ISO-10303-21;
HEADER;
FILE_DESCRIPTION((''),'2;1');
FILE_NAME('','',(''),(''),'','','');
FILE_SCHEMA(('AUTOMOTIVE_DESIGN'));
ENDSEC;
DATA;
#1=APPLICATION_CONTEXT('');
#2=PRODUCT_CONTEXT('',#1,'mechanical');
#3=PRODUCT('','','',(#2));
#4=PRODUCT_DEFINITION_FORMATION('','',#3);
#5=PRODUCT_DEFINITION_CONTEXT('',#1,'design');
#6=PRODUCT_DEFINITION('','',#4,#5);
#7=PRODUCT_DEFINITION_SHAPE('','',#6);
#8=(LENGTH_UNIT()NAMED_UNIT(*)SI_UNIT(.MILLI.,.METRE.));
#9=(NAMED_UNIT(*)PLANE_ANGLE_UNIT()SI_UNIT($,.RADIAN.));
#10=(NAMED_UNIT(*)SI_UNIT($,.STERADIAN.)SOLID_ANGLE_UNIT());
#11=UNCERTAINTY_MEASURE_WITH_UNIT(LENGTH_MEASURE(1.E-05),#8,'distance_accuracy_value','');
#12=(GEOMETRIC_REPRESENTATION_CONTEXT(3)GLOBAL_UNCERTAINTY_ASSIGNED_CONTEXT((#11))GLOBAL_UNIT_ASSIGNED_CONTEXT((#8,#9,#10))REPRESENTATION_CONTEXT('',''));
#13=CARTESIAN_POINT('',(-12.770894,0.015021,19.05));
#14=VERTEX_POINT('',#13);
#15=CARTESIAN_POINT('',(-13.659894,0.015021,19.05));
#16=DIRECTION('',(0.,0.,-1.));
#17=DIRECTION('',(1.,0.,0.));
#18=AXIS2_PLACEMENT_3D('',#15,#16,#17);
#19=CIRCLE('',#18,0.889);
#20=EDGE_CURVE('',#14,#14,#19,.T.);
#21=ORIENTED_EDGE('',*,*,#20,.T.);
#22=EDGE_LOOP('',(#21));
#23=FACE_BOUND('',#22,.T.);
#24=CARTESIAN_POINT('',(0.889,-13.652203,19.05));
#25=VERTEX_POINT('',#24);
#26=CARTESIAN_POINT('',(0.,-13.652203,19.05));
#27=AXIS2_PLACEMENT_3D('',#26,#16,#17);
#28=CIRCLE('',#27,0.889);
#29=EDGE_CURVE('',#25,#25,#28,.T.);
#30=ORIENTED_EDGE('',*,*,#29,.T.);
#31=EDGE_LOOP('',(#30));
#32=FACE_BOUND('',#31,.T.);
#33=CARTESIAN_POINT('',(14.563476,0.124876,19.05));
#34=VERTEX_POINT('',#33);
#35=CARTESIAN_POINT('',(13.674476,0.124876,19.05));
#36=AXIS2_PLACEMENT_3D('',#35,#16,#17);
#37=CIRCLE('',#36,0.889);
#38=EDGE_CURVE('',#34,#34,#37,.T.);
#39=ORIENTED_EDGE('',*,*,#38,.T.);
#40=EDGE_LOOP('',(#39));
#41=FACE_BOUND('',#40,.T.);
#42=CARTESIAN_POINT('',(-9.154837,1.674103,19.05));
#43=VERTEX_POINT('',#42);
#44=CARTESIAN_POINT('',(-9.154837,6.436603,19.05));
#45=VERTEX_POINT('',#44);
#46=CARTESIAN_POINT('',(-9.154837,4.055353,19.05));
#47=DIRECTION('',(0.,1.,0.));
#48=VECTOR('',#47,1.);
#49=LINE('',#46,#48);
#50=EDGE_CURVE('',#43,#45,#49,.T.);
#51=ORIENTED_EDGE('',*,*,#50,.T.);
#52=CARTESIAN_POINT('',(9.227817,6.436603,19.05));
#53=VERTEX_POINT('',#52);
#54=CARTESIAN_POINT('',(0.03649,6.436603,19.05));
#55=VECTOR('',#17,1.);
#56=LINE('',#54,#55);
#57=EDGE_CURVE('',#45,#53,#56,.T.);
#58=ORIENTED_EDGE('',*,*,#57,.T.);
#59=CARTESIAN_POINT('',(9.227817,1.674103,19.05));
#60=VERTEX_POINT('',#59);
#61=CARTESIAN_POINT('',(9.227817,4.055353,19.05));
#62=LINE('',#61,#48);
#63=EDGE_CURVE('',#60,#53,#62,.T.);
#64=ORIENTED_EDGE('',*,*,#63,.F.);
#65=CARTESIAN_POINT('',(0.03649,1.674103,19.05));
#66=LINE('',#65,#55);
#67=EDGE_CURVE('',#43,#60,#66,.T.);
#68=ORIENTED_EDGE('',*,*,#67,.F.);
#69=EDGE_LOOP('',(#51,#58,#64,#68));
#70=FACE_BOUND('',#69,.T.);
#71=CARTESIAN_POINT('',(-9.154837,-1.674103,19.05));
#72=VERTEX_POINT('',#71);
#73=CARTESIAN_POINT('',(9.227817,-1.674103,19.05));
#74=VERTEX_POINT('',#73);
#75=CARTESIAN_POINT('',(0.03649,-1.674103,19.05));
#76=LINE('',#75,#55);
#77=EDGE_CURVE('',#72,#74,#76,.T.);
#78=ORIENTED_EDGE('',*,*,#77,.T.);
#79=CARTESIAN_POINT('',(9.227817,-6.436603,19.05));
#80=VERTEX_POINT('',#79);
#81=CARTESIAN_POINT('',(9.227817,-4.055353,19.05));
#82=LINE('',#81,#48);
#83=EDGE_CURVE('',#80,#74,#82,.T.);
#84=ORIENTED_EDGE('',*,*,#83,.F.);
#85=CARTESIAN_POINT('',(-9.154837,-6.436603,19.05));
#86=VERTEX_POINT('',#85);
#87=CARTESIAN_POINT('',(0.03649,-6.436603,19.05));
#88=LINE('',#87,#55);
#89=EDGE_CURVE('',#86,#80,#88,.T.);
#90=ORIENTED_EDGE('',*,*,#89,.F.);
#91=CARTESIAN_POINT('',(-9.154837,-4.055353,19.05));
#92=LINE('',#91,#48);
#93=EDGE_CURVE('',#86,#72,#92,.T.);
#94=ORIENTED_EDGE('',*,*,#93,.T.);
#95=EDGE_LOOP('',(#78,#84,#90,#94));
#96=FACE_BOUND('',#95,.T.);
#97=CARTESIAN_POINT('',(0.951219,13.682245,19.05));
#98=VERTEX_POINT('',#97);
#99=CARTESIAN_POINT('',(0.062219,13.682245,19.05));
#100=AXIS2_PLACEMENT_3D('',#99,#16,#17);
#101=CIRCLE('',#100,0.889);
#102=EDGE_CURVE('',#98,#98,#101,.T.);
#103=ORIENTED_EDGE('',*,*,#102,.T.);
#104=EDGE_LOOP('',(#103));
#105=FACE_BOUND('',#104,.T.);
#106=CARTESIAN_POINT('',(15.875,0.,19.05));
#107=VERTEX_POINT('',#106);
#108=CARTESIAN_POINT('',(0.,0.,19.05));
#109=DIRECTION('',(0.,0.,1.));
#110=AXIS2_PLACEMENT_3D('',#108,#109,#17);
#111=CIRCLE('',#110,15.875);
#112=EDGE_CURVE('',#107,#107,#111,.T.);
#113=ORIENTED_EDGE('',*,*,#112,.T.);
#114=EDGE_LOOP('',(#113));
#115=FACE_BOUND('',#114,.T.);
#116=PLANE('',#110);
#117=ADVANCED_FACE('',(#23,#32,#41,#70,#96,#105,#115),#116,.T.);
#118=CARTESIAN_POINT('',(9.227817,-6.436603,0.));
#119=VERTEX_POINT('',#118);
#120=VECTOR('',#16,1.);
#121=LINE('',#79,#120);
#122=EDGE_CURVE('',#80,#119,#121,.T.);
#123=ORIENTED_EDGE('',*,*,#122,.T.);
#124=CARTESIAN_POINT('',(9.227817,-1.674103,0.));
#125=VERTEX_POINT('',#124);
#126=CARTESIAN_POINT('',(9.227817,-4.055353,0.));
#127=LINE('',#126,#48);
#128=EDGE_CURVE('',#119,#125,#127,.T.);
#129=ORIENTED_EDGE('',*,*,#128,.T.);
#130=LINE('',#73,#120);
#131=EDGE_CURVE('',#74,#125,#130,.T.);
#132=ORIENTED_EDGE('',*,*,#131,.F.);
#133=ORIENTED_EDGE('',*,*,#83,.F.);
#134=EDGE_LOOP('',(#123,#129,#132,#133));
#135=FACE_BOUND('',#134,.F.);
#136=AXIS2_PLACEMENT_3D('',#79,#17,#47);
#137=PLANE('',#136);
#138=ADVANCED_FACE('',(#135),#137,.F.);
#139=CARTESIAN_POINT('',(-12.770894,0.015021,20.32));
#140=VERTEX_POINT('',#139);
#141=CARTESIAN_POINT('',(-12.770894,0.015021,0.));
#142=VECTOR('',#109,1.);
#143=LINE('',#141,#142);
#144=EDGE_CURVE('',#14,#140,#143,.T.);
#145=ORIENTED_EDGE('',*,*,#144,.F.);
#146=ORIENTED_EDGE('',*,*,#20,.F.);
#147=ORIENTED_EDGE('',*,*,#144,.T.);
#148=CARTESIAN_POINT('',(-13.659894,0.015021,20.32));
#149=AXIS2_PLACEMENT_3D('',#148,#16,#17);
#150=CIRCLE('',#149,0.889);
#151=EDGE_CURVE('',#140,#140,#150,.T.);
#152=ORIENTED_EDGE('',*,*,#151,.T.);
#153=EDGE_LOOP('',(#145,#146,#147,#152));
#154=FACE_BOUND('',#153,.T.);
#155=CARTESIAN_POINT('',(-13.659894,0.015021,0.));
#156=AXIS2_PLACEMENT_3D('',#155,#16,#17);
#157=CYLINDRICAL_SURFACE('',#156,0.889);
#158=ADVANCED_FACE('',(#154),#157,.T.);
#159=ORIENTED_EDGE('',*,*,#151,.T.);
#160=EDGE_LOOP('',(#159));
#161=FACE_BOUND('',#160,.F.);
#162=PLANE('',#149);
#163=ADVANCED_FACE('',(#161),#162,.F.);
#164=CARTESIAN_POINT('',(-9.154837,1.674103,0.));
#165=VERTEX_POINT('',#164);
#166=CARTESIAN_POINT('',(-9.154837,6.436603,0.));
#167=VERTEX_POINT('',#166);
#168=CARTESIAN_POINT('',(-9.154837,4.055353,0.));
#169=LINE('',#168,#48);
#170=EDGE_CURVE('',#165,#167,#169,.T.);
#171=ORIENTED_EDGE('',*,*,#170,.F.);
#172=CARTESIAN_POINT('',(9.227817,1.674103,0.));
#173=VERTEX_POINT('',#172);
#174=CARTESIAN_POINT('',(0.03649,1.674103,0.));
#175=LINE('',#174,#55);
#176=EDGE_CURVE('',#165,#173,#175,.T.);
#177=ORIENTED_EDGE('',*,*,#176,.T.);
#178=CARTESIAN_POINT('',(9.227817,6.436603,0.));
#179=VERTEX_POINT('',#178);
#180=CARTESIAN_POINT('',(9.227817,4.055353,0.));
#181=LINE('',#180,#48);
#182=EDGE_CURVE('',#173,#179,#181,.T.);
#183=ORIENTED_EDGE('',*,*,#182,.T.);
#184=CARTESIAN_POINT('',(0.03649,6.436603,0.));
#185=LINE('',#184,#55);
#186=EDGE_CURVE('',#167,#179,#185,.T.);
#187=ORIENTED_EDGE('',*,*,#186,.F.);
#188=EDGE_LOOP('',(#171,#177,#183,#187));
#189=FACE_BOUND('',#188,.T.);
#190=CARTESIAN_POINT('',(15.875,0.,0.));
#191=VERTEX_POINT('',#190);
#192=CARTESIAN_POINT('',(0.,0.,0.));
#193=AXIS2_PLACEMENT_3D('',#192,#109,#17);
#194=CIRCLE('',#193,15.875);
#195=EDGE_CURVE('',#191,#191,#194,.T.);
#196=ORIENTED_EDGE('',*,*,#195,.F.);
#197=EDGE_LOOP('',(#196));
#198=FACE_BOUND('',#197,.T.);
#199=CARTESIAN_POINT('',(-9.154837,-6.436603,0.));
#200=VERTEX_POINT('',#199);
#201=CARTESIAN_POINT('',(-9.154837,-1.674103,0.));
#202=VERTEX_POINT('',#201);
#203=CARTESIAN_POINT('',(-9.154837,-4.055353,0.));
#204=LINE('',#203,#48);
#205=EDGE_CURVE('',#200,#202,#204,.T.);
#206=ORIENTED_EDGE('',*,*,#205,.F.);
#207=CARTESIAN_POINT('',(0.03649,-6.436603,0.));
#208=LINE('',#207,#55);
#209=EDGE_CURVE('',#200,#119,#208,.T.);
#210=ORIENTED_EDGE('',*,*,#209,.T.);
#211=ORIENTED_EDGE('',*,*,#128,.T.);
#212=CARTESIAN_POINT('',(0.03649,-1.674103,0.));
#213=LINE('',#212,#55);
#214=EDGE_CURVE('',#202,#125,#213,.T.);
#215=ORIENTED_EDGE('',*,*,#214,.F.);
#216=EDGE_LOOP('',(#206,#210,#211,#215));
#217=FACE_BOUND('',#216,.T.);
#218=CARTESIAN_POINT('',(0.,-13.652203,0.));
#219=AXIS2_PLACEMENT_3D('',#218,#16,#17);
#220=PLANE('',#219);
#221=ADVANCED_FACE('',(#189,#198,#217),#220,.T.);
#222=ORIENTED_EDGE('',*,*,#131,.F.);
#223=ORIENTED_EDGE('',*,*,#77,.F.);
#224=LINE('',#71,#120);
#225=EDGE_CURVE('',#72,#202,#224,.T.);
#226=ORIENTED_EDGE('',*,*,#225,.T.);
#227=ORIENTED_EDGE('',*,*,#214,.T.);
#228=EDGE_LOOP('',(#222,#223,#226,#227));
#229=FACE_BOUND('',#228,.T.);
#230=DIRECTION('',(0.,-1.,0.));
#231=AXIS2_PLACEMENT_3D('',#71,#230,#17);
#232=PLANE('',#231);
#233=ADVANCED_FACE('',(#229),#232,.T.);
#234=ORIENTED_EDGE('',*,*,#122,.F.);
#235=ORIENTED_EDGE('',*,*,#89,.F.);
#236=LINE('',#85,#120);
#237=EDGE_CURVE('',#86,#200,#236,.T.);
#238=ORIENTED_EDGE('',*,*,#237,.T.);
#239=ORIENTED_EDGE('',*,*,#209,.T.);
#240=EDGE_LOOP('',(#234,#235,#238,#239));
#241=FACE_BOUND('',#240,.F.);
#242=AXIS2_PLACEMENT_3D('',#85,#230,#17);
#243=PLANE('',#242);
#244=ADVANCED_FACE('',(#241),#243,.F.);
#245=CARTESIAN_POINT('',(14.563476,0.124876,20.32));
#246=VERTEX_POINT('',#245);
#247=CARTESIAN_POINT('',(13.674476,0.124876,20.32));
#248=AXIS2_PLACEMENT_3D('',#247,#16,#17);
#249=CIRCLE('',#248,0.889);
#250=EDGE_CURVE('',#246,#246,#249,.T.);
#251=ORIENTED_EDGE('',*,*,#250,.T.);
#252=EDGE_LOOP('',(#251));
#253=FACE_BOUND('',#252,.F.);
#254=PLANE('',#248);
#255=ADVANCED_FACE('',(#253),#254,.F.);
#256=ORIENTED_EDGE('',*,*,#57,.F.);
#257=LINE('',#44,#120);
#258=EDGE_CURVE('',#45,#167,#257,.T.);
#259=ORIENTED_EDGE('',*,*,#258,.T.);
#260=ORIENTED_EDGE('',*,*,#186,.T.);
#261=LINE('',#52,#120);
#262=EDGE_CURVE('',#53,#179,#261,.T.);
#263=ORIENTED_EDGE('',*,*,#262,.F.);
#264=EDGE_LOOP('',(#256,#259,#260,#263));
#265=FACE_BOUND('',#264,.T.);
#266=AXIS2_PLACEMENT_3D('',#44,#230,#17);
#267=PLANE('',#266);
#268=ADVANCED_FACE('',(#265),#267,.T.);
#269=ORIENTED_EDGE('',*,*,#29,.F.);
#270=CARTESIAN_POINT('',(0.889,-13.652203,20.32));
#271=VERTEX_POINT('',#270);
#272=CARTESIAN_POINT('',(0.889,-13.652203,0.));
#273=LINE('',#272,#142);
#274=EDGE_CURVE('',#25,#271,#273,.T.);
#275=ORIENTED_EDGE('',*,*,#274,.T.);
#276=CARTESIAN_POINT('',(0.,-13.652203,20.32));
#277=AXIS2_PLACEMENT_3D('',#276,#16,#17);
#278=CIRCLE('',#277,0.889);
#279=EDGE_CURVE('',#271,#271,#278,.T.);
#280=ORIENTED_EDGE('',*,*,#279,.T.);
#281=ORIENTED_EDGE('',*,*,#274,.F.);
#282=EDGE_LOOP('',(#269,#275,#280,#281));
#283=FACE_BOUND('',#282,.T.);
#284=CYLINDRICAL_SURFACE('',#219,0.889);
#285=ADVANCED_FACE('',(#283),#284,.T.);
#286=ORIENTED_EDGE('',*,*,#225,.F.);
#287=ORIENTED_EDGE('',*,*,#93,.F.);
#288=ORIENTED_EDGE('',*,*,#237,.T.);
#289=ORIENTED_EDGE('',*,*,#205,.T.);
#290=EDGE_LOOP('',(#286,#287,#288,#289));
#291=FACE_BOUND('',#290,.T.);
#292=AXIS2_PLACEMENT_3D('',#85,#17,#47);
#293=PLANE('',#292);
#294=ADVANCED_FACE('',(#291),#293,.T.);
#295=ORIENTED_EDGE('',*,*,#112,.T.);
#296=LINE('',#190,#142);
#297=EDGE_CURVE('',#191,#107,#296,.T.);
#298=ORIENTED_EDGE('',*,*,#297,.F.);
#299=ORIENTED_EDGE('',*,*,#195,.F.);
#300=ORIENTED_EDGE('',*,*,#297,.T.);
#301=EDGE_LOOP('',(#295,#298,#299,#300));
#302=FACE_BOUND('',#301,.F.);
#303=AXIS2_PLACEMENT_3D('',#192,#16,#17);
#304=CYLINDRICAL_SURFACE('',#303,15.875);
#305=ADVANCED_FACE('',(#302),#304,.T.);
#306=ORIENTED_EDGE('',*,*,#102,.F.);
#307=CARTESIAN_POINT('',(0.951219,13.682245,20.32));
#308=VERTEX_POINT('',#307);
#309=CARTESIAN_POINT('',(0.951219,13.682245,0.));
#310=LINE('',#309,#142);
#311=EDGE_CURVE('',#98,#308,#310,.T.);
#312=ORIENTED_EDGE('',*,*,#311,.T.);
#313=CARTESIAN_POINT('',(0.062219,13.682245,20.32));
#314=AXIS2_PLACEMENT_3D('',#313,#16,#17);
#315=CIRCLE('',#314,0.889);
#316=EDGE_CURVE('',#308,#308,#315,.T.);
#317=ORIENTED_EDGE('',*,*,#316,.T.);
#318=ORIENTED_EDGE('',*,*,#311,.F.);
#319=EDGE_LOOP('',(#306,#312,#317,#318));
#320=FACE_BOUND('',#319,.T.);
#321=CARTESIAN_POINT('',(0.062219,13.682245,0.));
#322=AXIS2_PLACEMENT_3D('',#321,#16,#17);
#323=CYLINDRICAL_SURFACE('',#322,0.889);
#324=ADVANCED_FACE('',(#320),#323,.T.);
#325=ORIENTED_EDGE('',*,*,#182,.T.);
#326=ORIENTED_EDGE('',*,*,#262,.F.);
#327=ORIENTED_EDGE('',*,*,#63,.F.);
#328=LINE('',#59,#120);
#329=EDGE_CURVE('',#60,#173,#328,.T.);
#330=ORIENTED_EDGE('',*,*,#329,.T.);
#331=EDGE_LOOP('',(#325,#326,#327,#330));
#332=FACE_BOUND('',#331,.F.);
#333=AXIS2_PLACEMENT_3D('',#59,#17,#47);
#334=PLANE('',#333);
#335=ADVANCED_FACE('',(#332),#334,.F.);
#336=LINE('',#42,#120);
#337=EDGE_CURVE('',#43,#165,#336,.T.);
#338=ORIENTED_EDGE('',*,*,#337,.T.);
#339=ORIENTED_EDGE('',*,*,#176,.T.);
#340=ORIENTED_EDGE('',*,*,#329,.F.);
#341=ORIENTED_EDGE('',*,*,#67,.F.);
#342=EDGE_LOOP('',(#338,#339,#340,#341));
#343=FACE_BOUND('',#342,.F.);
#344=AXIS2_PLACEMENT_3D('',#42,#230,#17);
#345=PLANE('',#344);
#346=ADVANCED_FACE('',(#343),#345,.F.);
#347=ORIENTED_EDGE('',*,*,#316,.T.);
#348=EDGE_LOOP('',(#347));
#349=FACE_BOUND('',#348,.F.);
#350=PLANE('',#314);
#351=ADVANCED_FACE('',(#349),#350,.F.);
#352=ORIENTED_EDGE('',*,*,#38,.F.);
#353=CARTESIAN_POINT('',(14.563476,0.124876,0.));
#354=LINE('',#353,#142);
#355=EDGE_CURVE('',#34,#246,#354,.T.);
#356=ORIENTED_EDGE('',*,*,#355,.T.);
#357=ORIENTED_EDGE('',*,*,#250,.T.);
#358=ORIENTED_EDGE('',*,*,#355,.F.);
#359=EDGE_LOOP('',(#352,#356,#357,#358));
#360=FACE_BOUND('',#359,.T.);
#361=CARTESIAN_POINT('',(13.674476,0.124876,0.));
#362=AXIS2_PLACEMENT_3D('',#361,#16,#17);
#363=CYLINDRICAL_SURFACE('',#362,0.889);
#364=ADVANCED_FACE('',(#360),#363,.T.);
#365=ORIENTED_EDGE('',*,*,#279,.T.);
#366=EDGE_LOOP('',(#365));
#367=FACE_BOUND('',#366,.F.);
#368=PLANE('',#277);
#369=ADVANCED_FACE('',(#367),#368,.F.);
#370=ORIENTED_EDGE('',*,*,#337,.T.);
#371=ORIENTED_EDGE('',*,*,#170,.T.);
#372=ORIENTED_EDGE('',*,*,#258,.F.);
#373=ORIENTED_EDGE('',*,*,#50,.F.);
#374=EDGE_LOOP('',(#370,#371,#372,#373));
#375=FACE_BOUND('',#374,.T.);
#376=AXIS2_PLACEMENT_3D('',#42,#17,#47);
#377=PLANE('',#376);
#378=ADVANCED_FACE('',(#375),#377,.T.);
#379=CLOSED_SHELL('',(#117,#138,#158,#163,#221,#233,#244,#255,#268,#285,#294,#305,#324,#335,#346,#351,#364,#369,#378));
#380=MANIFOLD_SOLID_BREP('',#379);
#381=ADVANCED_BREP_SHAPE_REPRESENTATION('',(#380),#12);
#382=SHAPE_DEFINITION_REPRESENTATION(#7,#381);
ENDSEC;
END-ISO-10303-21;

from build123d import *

# Parameters (mm, degrees)
F0_R     = 15.875
F1_DEPTH = 19.05
F6_W     = 18.382654
F6_H     = 4.7625
F7_DEPTH = 19.05
F3_R     = 0.889
F8_DEPTH = 20.32


with BuildPart() as f1:
    # F0 (on Top) → F1 (new body)
    with BuildSketch(Plane.XY):
        Circle(F0_R)
    extrude(amount=F1_DEPTH)

    # F6 (on face) → F7 (cut)
    with BuildSketch(Plane.XY.offset(19.05)):
        with Locations((0.03649, 4.055353)):
            Rectangle(F6_W, F6_H)
        with Locations((0.03649, -4.055353)):
            Rectangle(F6_W, F6_H)
    extrude(amount=-F7_DEPTH, mode=Mode.SUBTRACT)

    # F3 (on face) → F8 (join)
    with BuildSketch(Plane(origin=(0, 0, 0), x_dir=(1, 0, 0), z_dir=(0, 0, -1))):
        with Locations((0, 13.652203)):
            Circle(F3_R)
        with Locations((-13.659894, -0.015021)):
            Circle(F3_R)
        with Locations((0.062219, -13.682245)):
            Circle(F3_R)
        with Locations((13.674476, -0.124876)):
            Circle(F3_R)
    extrude(amount=-F8_DEPTH)


solid = f1.part
